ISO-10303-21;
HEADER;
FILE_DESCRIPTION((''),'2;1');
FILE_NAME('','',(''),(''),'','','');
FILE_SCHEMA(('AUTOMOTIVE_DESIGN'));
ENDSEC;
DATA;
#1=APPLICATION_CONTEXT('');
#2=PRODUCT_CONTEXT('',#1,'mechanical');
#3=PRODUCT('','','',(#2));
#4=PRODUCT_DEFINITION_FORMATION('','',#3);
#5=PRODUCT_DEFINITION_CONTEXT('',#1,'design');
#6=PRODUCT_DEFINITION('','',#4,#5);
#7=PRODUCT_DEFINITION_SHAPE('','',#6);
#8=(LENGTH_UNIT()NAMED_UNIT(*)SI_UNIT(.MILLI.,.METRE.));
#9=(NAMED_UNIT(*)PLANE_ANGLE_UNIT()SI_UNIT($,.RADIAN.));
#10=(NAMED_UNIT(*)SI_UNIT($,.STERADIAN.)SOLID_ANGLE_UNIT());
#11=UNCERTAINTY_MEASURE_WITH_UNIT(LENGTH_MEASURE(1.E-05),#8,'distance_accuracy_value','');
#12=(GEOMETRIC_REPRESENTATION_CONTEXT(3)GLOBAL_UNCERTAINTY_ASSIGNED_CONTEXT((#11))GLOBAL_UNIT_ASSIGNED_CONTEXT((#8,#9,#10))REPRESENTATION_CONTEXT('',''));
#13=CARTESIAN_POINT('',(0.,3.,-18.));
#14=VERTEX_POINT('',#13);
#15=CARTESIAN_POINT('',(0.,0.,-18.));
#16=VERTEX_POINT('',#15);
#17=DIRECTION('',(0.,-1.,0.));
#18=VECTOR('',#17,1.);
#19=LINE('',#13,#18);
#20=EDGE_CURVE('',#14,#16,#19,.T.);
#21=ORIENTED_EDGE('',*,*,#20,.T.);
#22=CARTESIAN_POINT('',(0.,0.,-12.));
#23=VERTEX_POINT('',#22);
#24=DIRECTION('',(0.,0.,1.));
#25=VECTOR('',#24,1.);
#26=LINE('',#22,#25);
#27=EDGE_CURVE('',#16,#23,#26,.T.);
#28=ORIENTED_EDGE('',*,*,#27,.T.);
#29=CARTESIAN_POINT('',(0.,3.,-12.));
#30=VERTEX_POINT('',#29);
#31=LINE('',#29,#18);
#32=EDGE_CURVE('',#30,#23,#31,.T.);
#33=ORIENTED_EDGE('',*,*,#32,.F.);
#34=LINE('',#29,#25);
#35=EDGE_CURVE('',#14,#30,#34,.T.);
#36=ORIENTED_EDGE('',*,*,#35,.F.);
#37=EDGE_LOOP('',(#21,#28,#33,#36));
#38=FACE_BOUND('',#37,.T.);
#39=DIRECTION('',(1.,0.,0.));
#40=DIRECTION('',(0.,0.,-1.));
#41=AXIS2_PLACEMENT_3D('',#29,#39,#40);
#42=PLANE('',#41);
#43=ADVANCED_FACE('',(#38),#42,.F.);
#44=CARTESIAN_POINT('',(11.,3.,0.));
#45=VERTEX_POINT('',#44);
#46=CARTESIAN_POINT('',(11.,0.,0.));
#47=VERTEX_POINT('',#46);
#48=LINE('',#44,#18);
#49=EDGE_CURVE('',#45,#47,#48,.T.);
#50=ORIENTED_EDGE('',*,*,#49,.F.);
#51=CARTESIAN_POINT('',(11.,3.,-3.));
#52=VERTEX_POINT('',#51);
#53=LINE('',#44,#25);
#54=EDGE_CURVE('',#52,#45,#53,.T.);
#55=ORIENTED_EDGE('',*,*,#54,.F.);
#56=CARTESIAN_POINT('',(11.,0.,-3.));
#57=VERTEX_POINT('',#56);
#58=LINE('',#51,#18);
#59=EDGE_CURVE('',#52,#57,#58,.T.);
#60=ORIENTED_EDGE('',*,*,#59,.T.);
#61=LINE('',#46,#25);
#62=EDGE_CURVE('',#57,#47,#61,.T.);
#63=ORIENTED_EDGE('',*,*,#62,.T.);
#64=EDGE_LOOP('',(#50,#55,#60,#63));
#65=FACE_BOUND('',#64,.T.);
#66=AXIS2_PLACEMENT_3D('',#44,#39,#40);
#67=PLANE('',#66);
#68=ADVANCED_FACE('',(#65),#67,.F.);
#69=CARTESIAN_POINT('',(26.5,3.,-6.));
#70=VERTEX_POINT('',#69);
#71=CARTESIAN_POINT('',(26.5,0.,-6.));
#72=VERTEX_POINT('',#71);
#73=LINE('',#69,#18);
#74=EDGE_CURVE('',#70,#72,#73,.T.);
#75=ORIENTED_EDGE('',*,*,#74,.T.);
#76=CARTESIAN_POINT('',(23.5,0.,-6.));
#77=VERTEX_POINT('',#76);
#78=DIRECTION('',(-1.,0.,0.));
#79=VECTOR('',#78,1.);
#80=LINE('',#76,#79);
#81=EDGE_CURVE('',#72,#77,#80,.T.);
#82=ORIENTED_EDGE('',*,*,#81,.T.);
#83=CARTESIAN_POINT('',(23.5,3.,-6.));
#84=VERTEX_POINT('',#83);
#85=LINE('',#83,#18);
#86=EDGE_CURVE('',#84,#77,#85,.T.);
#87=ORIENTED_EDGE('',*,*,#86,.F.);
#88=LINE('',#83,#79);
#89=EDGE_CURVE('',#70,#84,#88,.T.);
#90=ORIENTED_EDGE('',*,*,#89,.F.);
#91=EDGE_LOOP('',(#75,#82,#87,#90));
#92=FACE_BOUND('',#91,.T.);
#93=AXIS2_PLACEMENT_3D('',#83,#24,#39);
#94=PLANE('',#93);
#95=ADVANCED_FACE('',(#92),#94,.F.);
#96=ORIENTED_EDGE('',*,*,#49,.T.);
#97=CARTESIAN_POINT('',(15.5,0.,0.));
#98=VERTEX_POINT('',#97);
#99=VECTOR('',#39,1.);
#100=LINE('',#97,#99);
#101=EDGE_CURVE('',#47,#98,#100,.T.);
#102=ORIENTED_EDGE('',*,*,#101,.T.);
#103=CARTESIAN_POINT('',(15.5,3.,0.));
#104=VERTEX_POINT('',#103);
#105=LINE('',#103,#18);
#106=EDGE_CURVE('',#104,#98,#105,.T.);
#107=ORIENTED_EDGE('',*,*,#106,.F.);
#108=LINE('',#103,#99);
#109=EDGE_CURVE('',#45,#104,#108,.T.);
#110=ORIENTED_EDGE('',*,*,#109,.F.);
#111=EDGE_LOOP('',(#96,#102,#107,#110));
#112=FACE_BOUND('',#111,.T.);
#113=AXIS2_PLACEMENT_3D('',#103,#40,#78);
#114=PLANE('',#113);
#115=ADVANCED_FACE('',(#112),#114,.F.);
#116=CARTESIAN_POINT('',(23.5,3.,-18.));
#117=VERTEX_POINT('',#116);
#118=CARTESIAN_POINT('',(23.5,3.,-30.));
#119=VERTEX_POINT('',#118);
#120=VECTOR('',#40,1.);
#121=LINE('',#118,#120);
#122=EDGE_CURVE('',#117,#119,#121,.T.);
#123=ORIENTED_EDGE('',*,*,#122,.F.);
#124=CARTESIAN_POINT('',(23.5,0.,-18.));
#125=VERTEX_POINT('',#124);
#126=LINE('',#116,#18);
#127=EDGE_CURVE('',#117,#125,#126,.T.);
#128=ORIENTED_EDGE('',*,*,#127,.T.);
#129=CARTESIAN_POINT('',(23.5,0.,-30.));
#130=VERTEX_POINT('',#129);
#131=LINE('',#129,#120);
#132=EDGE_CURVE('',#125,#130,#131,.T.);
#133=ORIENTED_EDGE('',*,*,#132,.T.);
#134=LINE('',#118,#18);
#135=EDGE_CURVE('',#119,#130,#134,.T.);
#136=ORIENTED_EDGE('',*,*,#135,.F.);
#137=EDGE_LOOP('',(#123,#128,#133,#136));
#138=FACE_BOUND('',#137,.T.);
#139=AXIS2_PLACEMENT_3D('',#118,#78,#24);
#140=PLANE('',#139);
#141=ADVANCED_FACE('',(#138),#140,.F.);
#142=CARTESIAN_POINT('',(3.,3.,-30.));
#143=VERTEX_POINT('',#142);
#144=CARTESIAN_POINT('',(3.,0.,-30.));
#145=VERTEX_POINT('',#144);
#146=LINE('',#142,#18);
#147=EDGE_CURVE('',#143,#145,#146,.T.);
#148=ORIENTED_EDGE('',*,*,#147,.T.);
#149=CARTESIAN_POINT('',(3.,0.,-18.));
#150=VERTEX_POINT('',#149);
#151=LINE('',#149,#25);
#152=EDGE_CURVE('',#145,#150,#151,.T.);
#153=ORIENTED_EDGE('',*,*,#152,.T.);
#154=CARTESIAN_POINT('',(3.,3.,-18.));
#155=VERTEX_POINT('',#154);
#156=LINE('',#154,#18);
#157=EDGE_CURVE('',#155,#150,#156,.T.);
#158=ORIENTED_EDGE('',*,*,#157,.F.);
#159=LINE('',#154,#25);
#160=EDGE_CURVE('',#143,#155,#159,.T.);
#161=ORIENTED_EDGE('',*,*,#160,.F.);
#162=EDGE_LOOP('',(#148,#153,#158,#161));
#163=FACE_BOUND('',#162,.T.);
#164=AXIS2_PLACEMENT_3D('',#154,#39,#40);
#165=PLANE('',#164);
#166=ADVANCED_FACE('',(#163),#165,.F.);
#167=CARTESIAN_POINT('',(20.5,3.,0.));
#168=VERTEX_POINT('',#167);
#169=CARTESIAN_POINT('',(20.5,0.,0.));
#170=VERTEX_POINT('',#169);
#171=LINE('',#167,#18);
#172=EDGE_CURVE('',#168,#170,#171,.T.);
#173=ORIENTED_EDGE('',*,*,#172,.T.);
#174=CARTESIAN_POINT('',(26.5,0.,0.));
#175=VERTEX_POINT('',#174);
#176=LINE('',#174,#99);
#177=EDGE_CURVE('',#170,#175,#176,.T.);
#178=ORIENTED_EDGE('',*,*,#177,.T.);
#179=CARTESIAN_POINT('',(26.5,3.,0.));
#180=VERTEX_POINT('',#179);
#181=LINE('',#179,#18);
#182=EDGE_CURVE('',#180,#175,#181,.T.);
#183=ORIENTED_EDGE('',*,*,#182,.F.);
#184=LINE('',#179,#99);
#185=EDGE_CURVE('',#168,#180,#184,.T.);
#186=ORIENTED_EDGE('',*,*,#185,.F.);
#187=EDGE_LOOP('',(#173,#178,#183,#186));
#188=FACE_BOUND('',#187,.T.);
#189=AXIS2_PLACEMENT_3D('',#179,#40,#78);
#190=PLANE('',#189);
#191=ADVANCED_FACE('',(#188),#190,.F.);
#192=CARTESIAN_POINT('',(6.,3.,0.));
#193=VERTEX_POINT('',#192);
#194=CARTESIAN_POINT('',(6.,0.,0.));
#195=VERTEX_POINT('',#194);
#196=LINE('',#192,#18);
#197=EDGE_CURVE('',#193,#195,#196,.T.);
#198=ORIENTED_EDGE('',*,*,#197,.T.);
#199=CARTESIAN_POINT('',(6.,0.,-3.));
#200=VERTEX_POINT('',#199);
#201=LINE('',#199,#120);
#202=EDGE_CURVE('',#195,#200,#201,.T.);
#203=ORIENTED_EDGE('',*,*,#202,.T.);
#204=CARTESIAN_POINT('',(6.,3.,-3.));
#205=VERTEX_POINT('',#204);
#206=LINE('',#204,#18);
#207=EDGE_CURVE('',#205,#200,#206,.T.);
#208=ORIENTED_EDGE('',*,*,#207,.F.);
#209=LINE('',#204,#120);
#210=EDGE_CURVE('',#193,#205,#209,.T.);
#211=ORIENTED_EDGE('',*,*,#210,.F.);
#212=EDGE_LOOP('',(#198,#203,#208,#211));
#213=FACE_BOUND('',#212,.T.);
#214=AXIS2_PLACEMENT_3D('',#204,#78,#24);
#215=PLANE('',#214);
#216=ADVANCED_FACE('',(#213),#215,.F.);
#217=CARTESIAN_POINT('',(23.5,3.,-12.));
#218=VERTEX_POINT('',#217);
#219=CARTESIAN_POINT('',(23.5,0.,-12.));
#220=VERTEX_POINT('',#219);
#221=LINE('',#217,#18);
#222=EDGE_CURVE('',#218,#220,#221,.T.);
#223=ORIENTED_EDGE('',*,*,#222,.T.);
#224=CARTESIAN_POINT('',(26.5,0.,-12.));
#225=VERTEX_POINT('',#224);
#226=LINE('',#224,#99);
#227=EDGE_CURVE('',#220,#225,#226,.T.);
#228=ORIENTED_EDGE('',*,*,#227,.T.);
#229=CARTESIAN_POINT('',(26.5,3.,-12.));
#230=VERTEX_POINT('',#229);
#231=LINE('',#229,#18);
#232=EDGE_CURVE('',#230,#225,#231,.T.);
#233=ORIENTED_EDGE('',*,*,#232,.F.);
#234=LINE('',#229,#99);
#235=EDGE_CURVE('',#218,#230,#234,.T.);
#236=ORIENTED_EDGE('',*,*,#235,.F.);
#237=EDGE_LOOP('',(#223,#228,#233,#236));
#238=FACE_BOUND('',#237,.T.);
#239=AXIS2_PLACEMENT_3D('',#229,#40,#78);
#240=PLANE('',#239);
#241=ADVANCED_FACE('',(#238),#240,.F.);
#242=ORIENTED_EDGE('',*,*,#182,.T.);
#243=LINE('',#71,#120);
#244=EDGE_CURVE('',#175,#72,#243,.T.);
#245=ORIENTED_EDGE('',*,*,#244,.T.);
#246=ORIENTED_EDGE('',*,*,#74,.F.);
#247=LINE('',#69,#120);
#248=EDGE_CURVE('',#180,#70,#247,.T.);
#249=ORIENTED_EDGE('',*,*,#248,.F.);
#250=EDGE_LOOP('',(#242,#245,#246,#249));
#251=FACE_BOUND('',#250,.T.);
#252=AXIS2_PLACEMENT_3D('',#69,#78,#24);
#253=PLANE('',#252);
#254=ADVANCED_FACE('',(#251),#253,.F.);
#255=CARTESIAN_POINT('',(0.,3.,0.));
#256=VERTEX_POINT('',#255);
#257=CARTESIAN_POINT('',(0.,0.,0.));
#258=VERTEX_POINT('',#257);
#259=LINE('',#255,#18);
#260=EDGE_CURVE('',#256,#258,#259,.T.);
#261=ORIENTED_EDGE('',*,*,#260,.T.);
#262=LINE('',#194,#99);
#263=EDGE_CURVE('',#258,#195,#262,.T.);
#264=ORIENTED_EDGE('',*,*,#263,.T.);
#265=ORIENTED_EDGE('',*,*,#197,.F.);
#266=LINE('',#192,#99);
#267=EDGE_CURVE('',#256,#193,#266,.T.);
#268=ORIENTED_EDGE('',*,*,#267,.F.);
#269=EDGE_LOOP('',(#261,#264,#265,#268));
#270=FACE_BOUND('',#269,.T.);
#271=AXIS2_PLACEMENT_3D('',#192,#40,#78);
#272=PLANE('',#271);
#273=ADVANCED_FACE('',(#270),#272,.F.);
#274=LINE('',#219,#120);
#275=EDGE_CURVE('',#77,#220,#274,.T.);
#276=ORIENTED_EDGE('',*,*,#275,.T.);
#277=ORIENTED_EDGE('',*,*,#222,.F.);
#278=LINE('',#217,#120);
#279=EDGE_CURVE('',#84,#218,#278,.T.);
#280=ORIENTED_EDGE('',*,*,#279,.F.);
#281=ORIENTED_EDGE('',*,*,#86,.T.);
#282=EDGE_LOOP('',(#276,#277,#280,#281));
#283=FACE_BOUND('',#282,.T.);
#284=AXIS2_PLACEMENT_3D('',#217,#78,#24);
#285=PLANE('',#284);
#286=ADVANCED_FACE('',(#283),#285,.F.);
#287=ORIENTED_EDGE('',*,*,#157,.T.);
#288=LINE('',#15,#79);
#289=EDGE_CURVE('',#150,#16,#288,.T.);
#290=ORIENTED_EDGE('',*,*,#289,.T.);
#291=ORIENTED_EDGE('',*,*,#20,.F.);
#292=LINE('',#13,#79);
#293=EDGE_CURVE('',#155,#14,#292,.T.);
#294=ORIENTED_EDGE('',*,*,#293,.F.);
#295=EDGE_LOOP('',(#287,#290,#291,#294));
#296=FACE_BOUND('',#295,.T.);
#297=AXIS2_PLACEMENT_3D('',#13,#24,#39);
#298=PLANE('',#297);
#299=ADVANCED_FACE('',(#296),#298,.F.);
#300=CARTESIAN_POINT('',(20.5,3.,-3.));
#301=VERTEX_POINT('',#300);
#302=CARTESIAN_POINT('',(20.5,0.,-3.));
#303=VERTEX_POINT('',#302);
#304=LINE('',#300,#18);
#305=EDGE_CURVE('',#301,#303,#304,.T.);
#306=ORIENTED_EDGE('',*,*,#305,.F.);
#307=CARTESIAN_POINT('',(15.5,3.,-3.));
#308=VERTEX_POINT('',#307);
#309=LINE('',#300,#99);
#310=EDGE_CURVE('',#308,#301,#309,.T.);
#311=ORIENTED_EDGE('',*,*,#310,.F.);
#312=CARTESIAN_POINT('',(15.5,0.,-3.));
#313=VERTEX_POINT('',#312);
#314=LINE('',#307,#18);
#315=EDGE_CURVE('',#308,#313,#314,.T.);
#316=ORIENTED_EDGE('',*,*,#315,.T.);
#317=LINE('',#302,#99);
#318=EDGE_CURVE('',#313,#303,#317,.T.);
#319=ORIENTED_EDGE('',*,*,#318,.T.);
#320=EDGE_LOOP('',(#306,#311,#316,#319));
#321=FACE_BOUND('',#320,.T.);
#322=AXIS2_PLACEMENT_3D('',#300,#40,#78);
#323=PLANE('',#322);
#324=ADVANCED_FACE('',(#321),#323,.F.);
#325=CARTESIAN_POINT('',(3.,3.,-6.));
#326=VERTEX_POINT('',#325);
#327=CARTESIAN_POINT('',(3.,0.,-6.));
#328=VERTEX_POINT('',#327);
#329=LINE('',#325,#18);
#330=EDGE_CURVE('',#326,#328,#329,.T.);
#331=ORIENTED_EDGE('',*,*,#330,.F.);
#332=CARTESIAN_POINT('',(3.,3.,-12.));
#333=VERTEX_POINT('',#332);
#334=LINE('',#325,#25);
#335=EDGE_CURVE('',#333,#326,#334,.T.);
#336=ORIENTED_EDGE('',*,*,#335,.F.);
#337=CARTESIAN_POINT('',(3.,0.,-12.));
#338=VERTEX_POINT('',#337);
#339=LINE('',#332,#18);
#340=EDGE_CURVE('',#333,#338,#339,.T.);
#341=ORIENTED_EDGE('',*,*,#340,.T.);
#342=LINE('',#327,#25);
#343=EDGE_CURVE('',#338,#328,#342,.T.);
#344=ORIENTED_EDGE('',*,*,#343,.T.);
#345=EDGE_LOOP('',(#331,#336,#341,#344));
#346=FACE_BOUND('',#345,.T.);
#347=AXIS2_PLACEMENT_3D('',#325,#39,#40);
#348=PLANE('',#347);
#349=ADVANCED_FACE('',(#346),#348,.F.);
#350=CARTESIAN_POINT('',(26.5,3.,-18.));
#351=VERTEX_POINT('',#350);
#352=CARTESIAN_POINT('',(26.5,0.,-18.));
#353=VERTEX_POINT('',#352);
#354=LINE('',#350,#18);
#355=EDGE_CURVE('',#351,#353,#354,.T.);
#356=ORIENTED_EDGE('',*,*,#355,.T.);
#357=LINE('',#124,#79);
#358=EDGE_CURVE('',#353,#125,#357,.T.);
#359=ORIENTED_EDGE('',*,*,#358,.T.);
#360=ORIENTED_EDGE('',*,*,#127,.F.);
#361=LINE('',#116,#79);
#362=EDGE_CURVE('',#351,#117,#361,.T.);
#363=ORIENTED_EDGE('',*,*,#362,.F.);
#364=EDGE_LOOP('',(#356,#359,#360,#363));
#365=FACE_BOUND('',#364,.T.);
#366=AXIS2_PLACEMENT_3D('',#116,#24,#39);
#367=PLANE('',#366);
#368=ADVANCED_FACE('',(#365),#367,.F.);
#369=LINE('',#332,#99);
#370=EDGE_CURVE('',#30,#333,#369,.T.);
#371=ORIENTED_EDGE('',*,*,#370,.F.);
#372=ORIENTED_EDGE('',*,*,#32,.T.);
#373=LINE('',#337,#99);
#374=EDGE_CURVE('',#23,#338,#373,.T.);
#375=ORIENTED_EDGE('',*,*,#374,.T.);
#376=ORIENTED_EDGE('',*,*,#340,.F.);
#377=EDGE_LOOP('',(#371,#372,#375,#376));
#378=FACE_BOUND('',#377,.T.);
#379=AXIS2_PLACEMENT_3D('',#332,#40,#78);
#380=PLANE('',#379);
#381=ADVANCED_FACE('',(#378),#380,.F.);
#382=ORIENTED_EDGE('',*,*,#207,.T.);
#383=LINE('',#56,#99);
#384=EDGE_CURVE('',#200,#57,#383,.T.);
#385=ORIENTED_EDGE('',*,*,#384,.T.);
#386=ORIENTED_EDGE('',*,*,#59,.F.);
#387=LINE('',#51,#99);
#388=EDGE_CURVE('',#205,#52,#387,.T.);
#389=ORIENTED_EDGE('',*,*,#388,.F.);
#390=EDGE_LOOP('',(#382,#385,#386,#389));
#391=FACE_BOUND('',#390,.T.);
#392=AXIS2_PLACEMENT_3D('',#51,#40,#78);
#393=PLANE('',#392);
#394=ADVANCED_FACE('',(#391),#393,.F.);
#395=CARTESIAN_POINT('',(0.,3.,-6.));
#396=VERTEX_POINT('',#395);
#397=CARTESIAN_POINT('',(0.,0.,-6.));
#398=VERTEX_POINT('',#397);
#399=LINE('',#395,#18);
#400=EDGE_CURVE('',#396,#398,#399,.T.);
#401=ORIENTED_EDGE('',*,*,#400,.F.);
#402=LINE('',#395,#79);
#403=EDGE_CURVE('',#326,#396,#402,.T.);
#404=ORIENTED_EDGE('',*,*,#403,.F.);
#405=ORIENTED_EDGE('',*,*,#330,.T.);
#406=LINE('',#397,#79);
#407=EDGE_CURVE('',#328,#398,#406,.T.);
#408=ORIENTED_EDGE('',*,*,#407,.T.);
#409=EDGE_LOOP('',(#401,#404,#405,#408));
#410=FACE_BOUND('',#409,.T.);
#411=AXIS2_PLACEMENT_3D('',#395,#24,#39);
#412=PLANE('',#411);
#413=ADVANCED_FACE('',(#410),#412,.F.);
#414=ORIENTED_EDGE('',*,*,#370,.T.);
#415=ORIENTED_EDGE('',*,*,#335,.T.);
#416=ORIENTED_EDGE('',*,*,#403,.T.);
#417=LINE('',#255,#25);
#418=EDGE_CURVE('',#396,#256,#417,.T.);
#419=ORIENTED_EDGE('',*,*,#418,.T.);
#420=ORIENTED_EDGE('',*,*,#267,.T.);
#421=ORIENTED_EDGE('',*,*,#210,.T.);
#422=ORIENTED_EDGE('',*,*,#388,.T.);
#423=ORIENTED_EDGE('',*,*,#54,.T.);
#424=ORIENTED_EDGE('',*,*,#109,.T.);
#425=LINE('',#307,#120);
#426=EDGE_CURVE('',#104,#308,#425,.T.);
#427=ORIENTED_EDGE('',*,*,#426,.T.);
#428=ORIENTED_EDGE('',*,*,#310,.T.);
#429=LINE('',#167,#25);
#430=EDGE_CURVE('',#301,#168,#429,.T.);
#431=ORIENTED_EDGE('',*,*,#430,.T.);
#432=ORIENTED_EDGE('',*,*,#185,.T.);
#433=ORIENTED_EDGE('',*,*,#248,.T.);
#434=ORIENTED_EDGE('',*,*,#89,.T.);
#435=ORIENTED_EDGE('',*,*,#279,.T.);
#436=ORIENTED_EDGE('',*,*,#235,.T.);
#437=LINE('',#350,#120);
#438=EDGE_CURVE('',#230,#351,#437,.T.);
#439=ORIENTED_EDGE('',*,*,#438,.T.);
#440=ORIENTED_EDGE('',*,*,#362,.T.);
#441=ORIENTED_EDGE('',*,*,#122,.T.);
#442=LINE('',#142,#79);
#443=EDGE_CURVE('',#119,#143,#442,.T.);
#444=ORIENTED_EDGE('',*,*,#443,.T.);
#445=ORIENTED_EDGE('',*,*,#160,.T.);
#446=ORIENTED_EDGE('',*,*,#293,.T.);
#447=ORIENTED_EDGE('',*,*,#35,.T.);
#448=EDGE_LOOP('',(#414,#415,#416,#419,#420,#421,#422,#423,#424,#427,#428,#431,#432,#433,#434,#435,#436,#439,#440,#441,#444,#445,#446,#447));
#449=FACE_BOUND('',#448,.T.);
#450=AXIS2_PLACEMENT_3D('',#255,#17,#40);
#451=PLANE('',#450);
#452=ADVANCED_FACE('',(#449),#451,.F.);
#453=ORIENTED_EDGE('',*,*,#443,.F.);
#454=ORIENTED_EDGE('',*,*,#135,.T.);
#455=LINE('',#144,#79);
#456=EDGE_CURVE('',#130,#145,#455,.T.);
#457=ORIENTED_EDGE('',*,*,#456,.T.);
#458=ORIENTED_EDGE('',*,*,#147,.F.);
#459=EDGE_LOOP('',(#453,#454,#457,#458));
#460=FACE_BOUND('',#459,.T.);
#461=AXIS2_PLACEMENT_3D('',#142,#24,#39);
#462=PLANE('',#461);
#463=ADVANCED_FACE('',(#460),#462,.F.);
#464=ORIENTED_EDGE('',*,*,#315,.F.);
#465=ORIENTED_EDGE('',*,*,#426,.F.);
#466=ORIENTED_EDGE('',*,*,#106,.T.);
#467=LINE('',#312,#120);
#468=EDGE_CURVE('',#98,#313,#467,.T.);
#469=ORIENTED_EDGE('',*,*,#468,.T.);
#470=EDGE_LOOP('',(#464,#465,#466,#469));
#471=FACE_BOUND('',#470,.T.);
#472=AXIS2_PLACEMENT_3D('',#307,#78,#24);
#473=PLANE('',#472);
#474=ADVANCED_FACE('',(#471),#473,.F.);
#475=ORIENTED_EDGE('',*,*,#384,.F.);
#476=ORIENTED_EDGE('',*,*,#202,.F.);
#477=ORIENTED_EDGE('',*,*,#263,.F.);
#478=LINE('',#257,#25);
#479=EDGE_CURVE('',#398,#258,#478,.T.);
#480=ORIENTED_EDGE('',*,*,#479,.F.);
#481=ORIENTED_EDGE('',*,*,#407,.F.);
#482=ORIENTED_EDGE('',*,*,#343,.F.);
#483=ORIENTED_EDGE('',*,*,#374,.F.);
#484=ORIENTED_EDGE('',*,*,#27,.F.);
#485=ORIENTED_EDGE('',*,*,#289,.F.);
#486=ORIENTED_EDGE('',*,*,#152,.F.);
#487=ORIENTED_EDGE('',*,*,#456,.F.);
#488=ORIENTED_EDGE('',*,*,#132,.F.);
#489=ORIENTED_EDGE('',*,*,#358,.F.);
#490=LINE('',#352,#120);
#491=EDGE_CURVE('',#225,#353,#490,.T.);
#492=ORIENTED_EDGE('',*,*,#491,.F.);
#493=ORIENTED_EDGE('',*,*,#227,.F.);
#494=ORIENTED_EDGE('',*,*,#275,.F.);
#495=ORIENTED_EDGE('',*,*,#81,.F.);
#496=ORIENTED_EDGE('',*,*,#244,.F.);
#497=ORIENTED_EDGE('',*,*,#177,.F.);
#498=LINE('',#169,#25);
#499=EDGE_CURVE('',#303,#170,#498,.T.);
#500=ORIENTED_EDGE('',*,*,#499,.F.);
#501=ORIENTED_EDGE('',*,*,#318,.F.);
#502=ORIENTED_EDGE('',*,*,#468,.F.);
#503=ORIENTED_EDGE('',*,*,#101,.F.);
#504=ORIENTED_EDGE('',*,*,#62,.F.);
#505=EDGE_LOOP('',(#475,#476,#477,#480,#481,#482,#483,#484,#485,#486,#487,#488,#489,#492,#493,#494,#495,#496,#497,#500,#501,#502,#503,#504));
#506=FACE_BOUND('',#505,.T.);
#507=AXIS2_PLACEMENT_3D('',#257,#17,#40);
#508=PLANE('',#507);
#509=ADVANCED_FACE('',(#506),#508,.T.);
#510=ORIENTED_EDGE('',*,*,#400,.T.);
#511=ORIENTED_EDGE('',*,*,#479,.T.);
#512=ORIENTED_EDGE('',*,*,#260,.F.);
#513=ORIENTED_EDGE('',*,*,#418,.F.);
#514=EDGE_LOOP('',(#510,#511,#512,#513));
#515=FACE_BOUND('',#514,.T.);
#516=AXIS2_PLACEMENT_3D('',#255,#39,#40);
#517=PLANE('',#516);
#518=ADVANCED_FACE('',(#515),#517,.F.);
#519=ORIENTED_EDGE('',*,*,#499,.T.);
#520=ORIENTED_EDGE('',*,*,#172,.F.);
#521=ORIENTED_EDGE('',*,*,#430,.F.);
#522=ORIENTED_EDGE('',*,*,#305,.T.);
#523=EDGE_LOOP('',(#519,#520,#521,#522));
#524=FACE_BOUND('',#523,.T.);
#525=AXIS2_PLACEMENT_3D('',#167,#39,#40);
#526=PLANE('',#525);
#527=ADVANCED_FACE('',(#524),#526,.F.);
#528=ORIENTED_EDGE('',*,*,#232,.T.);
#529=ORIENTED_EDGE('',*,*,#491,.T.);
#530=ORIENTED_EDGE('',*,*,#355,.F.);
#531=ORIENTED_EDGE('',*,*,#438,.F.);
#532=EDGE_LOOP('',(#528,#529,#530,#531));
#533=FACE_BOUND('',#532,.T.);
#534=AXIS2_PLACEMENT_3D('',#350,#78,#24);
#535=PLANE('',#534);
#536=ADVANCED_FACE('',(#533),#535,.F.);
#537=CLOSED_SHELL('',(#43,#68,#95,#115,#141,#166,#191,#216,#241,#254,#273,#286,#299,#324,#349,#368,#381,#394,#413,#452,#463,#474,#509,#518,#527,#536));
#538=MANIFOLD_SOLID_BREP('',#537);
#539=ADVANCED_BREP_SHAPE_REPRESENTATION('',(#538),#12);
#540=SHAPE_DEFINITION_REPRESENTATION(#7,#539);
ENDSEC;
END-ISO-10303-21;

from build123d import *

# Parameters (mm, degrees)
PAREDELADO2_DEPTH = 3


with BuildPart() as part:
    # ParedeLado2Esboco → ParedeLado2 (new body)
    with BuildSketch(Plane(origin=(0, 0, 0), x_dir=(1, 0, 0), z_dir=(0, 1, 0))):
        Polygon((0, 0), (0, 6), (3, 6), (3, 12), (0, 12), (0, 18), (3, 18), (3, 30), (23.5, 30), (23.5, 18), (26.5, 18), (26.5, 12), (23.5, 12), (23.5, 6), (26.5, 6), (26.5, 0), (20.5, 0), (20.5, 3), (15.5, 3), (15.5, 0), (11, 0), (11, 3), (6, 3), (6, 0), align=None)
    extrude(amount=PAREDELADO2_DEPTH)


solid = part.part
